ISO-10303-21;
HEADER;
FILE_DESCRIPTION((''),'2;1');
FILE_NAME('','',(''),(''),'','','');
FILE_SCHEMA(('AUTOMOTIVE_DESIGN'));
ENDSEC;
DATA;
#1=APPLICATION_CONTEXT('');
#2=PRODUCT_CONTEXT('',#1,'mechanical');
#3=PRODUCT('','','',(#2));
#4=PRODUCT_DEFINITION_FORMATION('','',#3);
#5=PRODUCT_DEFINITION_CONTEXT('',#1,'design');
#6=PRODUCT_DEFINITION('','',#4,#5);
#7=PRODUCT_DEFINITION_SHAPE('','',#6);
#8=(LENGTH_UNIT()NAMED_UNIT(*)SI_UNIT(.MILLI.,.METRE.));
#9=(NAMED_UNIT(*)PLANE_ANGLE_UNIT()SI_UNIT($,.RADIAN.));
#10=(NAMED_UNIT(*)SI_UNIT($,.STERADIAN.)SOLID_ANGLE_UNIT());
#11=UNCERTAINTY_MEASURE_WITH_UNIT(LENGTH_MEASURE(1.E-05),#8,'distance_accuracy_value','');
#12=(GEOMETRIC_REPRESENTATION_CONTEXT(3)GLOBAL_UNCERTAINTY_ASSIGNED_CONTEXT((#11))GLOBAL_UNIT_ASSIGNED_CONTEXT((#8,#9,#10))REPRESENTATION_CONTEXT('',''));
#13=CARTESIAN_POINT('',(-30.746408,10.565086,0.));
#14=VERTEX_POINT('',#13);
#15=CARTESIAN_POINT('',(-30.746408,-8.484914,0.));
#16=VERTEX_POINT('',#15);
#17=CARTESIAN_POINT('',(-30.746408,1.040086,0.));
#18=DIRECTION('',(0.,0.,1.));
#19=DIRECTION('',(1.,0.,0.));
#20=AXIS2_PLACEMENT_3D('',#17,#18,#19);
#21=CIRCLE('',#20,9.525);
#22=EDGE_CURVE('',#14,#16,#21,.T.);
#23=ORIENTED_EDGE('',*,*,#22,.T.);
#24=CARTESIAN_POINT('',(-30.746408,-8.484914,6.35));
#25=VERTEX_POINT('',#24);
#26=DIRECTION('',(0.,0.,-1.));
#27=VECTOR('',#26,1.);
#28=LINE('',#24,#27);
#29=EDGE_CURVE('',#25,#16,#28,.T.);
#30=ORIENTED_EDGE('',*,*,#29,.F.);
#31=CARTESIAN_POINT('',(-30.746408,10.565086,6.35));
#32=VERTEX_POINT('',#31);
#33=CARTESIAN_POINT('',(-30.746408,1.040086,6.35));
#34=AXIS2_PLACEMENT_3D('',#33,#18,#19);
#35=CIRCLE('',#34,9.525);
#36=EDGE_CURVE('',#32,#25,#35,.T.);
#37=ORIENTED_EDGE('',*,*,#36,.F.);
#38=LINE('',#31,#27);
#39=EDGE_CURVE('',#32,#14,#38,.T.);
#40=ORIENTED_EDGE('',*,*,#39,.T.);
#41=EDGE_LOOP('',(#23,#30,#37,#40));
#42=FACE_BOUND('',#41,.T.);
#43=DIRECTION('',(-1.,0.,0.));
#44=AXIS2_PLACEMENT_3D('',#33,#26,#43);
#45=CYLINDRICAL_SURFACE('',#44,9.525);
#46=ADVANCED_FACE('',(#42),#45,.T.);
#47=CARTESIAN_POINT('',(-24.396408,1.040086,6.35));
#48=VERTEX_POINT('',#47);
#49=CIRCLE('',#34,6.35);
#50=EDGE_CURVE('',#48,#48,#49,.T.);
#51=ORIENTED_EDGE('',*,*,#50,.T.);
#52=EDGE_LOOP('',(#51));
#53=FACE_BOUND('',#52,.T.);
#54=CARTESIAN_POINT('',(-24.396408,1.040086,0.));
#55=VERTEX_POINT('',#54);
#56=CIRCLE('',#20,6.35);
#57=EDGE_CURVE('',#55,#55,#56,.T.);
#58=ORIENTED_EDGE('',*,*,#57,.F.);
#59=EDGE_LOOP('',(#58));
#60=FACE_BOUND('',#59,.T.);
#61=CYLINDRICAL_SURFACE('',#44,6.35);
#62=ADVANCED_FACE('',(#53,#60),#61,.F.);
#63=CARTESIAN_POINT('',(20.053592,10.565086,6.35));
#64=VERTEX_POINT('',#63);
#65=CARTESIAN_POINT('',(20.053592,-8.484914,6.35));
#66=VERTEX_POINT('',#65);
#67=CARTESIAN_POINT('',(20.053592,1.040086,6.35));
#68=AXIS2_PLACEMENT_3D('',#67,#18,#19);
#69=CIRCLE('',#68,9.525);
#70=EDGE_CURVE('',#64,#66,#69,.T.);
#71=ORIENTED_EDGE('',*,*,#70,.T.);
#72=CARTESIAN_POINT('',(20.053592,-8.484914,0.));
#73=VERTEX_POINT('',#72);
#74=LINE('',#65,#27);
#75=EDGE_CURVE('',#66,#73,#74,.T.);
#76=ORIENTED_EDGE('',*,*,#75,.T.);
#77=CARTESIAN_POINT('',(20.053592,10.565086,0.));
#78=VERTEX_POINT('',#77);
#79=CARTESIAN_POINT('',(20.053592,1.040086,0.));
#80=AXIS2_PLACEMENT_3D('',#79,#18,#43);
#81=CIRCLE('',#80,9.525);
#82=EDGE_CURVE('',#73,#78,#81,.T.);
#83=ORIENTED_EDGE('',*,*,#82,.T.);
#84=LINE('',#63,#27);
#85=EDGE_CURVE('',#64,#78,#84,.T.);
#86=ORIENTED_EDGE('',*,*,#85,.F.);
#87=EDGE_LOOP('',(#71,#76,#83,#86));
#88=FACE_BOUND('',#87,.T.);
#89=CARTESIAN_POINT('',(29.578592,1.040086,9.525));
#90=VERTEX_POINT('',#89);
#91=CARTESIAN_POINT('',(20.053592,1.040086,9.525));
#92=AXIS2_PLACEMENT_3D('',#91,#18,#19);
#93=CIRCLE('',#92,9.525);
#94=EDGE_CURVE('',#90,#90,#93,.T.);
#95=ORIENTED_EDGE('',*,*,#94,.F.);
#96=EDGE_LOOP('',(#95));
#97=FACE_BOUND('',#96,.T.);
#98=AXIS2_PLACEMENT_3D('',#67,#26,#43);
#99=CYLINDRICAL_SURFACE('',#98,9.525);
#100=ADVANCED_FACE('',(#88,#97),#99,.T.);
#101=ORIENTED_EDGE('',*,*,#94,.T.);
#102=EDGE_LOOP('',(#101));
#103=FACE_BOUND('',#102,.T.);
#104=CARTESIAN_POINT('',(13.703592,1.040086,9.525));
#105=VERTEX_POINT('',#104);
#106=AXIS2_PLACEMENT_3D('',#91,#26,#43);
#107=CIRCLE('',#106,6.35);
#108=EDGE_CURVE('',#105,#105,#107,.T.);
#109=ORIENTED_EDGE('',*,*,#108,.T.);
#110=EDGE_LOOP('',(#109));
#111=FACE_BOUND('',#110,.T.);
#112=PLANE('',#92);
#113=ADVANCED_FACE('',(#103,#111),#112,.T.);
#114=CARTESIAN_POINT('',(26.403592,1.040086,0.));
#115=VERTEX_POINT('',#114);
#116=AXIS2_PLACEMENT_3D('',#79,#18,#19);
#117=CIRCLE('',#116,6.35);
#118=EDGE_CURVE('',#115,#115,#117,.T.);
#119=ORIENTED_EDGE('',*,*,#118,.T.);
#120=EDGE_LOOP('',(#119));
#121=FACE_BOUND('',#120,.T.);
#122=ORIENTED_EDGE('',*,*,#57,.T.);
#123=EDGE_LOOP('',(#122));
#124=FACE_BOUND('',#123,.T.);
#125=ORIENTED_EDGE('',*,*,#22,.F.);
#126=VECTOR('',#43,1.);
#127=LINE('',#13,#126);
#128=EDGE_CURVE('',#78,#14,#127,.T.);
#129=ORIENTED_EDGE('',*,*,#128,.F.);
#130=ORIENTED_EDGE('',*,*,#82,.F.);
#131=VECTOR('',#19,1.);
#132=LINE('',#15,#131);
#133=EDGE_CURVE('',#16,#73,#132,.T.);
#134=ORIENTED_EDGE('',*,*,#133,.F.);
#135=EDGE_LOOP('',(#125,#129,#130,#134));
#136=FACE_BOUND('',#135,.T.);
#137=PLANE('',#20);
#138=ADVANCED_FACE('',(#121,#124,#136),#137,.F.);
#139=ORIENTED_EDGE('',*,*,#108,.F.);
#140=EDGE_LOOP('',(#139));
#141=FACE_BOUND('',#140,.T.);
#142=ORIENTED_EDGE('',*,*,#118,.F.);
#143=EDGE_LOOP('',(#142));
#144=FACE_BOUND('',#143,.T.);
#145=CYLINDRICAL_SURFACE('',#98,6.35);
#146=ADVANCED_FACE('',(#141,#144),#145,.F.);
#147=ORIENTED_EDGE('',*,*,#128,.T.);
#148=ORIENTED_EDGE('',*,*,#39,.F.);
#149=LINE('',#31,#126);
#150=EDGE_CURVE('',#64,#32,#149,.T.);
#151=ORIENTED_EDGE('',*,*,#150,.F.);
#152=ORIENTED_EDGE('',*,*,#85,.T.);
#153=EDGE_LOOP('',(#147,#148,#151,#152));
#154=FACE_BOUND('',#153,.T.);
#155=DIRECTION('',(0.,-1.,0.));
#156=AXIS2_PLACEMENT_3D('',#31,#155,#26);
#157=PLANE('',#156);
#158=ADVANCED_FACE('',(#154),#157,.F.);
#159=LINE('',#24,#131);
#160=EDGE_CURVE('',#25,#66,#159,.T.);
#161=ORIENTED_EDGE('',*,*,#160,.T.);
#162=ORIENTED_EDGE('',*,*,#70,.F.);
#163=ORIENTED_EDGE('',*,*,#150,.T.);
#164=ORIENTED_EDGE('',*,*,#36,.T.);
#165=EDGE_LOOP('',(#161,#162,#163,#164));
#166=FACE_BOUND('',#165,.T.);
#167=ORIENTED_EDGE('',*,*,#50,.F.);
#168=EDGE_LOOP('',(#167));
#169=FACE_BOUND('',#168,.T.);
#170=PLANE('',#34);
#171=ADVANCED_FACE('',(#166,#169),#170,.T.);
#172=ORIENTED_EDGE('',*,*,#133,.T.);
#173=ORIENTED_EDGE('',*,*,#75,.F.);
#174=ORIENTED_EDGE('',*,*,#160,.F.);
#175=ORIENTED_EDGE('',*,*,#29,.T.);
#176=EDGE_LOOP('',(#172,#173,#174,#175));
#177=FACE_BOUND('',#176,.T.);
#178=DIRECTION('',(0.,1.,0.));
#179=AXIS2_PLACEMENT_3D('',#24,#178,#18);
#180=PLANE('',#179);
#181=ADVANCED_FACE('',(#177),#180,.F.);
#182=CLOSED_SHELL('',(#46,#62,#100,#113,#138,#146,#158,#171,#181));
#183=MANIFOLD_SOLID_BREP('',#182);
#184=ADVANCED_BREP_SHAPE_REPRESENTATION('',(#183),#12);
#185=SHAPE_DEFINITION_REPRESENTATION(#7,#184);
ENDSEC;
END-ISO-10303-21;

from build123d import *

# Parameters (mm, degrees)
SKETCH1_R           = 6.35
BOSS_EXTRUDE1_DEPTH = 6.35
SKETCH2_R           = 9.525
BOSS_EXTRUDE2_DEPTH = 3.175
SKETCH3_R           = 6.35
CUT_EXTRUDE1_DEPTH  = 43.709869791


with BuildPart() as part:
    # Sketch1 → Boss-Extrude1 (new body)
    with BuildSketch(Plane.XY):
        with BuildLine():
            Line((-30.746408046, 10.565086207), (20.053591954, 10.565086207))
            ThreePointArc((20.053591954, 10.565086207), (29.578591954, 1.040086207), (20.053591954, -8.484913793))
            Line((20.053591954, -8.484913793), (-30.746408046, -8.484913793))
            ThreePointArc((-30.746408046, -8.484913793), (-40.271408046, 1.040086207), (-30.746408046, 10.565086207))
        make_face()
        with Locations((-30.746408046, 1.040086207)):
            Circle(SKETCH1_R, mode=Mode.SUBTRACT)
        with Locations((20.053591954, 1.040086207)):
            Circle(SKETCH1_R, mode=Mode.SUBTRACT)
    extrude(amount=BOSS_EXTRUDE1_DEPTH)

    # Sketch2 → Boss-Extrude2 (add)
    with BuildSketch(Plane.XY.offset(6.35)):
        with Locations(Location((20.053591954, 1.040086207, 0), (0, 0, 90))):
            Circle(SKETCH2_R)
    extrude(amount=BOSS_EXTRUDE2_DEPTH)

    # Sketch3 → Cut-Extrude1 (cut, through all)
    with BuildSketch(Plane(origin=(0, 0, 0), x_dir=(-1, 0, 0), z_dir=(0, 0, -1))):
        with Locations((-20.053591954, 1.040086207)):
            Circle(SKETCH3_R)
    extrude(amount=-CUT_EXTRUDE1_DEPTH, mode=Mode.SUBTRACT)


solid = part.part
